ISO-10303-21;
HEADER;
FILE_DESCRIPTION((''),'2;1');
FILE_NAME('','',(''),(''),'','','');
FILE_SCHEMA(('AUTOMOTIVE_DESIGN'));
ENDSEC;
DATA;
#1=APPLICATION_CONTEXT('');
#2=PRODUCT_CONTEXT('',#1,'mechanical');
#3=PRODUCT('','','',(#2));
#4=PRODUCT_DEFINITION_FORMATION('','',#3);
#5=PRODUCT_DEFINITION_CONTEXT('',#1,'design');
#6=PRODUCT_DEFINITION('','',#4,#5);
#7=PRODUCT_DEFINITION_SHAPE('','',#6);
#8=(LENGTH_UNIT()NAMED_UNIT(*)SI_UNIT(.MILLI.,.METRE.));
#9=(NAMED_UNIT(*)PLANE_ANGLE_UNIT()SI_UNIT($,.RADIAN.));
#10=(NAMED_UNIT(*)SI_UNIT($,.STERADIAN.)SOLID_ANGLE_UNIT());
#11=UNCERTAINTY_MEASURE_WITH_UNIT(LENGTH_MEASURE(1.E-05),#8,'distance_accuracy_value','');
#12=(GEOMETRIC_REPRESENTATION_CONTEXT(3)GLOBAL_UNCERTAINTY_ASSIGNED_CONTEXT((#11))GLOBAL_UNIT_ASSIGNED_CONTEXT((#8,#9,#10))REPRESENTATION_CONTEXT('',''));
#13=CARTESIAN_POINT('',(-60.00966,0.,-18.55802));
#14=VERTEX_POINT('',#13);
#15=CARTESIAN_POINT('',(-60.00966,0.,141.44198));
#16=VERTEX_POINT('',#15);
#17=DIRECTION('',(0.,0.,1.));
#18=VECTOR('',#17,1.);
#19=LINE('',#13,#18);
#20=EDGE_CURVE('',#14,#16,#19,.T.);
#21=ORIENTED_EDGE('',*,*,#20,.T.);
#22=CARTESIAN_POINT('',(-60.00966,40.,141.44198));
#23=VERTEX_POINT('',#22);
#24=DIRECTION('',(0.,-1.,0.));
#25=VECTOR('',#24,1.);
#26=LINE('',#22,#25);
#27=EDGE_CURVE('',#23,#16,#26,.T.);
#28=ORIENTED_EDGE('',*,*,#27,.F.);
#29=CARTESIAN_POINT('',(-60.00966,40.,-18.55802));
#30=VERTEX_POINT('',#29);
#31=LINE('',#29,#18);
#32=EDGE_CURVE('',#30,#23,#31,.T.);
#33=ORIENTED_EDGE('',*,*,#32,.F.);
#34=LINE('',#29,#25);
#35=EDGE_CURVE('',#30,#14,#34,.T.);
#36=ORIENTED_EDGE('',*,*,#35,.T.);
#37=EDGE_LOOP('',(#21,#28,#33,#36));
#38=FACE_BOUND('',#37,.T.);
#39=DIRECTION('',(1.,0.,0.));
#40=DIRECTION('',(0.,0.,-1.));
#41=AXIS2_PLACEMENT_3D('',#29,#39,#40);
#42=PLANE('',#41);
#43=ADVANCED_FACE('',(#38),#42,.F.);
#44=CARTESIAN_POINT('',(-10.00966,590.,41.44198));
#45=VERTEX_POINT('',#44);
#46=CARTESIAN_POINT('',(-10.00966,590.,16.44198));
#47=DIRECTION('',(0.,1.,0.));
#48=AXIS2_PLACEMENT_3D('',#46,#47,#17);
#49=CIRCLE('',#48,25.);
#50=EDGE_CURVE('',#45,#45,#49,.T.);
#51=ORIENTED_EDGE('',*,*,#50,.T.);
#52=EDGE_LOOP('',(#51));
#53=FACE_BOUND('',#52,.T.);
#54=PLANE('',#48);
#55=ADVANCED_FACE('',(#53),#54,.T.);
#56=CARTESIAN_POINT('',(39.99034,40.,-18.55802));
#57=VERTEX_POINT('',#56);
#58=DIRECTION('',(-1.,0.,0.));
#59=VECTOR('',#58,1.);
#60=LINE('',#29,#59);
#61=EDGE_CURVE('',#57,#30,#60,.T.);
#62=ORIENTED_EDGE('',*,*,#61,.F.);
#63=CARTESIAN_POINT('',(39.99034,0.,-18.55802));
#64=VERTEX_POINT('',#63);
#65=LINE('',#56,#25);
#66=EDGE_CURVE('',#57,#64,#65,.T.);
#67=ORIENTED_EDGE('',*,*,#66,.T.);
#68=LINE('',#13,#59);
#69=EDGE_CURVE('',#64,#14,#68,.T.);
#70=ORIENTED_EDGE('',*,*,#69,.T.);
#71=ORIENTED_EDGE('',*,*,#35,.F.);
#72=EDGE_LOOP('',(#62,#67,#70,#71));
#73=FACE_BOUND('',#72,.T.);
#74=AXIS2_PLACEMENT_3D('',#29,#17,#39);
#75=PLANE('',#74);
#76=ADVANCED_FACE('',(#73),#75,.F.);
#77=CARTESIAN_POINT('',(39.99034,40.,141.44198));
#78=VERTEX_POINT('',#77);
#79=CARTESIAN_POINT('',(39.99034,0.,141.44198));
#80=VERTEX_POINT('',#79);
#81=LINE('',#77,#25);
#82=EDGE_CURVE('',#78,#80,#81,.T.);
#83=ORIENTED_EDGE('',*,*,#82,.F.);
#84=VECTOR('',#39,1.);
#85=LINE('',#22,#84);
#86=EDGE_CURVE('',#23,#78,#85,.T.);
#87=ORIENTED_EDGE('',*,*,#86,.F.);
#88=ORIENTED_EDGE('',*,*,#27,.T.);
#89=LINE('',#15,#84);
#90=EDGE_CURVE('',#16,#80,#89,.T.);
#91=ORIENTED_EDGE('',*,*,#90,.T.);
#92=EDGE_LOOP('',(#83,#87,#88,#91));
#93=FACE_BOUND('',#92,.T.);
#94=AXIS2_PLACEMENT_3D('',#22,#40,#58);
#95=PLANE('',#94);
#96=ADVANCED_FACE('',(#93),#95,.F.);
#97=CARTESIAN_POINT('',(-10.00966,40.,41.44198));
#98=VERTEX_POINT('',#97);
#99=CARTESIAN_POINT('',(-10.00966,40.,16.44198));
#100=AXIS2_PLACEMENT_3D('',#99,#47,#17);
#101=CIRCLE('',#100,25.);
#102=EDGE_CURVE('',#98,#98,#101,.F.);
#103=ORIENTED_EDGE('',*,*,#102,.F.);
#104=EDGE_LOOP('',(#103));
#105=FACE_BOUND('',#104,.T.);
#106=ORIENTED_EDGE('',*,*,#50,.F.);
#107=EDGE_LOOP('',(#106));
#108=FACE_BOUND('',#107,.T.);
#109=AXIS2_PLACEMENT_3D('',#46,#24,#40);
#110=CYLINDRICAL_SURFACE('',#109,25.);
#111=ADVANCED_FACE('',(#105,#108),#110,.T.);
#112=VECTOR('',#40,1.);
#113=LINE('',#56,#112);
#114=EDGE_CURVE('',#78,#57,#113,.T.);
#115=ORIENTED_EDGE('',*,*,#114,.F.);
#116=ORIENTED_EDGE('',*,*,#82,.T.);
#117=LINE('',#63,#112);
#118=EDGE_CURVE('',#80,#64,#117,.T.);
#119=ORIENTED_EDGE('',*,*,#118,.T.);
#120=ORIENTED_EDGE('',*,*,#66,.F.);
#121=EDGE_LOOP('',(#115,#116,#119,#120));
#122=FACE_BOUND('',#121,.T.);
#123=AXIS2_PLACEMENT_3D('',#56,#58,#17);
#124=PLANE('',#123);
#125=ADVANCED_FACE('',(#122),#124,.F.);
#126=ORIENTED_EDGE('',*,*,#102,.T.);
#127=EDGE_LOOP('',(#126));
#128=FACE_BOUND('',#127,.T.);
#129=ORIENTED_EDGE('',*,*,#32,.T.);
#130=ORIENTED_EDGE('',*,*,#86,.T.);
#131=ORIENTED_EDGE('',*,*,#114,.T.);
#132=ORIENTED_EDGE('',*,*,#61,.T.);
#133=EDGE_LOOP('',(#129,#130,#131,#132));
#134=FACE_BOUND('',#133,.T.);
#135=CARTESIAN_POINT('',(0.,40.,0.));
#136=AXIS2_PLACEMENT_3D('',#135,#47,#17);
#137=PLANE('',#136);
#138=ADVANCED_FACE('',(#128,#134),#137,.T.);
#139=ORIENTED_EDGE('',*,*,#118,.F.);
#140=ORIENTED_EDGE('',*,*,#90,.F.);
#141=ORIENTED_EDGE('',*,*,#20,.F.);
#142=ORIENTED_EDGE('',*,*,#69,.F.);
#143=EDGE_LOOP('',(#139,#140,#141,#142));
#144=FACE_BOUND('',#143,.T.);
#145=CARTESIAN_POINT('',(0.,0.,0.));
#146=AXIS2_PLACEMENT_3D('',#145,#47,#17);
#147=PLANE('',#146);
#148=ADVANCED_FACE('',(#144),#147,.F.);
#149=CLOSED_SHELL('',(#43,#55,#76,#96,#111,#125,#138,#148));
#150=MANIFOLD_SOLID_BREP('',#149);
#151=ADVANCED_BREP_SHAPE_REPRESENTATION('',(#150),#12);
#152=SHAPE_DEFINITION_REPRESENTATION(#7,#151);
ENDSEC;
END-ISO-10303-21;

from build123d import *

# Parameters (mm, degrees)
SKETCH1_W           = 100
SKETCH1_H           = 160
BOSS_EXTRUDE1_DEPTH = 40
SKETCH2_R           = 25
BOSS_EXTRUDE2_DEPTH = 590


with BuildPart() as part:
    # Sketch1 → Boss-Extrude1 (new body)
    with BuildSketch(Plane(origin=(0, 0, 0), x_dir=(1, 0, 0), z_dir=(0, 1, 0))):
        with Locations((-10.009659714, -61.441979522)):
            Rectangle(SKETCH1_W, SKETCH1_H)
    extrude(amount=BOSS_EXTRUDE1_DEPTH)

    # Sketch2 → Boss-Extrude2 (add)
    with BuildSketch(Plane(origin=(0, 0, 0), x_dir=(1, 0, 0), z_dir=(0, 1, 0))):
        with Locations(Location((-10.009659714, -16.441979522, 0), (0, 0, 270))):
            Circle(SKETCH2_R)
    extrude(amount=BOSS_EXTRUDE2_DEPTH)


solid = part.part
